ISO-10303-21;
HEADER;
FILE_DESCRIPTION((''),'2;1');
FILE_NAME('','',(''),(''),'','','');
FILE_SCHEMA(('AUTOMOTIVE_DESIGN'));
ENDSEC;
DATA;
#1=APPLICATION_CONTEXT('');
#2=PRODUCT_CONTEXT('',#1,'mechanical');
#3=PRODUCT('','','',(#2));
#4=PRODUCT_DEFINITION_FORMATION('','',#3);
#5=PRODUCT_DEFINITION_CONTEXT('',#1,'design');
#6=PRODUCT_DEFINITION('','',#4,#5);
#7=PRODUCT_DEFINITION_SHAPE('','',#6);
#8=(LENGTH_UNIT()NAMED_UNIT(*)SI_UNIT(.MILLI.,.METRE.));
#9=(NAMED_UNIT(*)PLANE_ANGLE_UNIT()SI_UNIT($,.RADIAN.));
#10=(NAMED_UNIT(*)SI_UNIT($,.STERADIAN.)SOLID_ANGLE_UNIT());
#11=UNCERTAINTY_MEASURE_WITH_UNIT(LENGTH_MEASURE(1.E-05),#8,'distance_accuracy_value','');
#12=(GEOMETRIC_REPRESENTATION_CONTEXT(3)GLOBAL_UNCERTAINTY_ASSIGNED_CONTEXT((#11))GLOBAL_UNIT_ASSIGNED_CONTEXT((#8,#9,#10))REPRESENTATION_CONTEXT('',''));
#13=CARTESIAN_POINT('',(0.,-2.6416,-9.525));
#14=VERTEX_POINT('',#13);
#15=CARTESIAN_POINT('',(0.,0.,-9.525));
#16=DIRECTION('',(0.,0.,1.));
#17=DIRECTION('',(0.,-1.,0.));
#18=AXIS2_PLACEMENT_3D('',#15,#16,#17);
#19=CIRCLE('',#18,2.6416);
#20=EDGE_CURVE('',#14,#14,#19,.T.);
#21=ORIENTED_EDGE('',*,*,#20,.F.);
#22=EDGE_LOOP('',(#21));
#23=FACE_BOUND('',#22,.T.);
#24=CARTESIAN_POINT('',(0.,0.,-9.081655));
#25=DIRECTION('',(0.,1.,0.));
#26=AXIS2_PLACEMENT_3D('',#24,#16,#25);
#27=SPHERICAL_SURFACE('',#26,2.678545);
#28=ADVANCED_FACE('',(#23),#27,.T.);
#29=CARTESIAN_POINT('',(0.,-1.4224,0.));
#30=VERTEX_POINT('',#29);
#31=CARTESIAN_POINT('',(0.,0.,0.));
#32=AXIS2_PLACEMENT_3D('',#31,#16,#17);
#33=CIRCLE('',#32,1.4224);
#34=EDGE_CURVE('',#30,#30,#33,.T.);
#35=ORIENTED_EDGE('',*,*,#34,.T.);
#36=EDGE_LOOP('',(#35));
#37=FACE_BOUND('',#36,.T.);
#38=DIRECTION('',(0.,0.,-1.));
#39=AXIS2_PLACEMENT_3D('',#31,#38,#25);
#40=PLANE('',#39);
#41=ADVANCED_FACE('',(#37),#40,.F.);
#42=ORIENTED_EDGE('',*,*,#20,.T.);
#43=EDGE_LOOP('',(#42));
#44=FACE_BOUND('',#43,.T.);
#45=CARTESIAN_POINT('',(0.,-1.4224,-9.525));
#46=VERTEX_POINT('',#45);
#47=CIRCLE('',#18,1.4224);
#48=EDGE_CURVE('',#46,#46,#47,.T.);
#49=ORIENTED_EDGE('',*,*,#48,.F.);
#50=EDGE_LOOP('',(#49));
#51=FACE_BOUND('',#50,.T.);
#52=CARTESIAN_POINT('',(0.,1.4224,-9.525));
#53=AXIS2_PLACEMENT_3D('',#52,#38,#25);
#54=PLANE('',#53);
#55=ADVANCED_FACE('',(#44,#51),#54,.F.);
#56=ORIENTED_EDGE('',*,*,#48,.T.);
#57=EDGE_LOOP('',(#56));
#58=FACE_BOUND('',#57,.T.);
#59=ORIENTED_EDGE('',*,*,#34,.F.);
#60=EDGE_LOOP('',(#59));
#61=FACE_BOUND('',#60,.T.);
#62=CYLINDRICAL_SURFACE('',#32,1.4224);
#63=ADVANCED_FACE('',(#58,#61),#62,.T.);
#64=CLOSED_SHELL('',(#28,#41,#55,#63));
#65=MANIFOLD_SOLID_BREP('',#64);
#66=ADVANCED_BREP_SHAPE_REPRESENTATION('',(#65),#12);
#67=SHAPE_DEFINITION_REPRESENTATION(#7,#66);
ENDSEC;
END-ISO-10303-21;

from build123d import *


with BuildPart() as part:
    # Sketch2 → Revolve1 (revolve)
    with BuildSketch(Plane(origin=(0, 0, 0), x_dir=(0, 0, -1), z_dir=(1, 0, 0))):
        with BuildLine():
            Line((0, 0), (0, 1.4224))
            Line((0, 1.4224), (9.525, 1.4224))
            Line((9.525, 1.4224), (9.525, 2.6416))
            ThreePointArc((9.525, 2.6416), (11.12641941, 1.730185655), (11.7602, 0))
            Line((11.7602, 0), (0, 0))
        make_face()
    revolve(axis=Axis((0, 0, 0), (0, 0, -1)))


solid = part.part
